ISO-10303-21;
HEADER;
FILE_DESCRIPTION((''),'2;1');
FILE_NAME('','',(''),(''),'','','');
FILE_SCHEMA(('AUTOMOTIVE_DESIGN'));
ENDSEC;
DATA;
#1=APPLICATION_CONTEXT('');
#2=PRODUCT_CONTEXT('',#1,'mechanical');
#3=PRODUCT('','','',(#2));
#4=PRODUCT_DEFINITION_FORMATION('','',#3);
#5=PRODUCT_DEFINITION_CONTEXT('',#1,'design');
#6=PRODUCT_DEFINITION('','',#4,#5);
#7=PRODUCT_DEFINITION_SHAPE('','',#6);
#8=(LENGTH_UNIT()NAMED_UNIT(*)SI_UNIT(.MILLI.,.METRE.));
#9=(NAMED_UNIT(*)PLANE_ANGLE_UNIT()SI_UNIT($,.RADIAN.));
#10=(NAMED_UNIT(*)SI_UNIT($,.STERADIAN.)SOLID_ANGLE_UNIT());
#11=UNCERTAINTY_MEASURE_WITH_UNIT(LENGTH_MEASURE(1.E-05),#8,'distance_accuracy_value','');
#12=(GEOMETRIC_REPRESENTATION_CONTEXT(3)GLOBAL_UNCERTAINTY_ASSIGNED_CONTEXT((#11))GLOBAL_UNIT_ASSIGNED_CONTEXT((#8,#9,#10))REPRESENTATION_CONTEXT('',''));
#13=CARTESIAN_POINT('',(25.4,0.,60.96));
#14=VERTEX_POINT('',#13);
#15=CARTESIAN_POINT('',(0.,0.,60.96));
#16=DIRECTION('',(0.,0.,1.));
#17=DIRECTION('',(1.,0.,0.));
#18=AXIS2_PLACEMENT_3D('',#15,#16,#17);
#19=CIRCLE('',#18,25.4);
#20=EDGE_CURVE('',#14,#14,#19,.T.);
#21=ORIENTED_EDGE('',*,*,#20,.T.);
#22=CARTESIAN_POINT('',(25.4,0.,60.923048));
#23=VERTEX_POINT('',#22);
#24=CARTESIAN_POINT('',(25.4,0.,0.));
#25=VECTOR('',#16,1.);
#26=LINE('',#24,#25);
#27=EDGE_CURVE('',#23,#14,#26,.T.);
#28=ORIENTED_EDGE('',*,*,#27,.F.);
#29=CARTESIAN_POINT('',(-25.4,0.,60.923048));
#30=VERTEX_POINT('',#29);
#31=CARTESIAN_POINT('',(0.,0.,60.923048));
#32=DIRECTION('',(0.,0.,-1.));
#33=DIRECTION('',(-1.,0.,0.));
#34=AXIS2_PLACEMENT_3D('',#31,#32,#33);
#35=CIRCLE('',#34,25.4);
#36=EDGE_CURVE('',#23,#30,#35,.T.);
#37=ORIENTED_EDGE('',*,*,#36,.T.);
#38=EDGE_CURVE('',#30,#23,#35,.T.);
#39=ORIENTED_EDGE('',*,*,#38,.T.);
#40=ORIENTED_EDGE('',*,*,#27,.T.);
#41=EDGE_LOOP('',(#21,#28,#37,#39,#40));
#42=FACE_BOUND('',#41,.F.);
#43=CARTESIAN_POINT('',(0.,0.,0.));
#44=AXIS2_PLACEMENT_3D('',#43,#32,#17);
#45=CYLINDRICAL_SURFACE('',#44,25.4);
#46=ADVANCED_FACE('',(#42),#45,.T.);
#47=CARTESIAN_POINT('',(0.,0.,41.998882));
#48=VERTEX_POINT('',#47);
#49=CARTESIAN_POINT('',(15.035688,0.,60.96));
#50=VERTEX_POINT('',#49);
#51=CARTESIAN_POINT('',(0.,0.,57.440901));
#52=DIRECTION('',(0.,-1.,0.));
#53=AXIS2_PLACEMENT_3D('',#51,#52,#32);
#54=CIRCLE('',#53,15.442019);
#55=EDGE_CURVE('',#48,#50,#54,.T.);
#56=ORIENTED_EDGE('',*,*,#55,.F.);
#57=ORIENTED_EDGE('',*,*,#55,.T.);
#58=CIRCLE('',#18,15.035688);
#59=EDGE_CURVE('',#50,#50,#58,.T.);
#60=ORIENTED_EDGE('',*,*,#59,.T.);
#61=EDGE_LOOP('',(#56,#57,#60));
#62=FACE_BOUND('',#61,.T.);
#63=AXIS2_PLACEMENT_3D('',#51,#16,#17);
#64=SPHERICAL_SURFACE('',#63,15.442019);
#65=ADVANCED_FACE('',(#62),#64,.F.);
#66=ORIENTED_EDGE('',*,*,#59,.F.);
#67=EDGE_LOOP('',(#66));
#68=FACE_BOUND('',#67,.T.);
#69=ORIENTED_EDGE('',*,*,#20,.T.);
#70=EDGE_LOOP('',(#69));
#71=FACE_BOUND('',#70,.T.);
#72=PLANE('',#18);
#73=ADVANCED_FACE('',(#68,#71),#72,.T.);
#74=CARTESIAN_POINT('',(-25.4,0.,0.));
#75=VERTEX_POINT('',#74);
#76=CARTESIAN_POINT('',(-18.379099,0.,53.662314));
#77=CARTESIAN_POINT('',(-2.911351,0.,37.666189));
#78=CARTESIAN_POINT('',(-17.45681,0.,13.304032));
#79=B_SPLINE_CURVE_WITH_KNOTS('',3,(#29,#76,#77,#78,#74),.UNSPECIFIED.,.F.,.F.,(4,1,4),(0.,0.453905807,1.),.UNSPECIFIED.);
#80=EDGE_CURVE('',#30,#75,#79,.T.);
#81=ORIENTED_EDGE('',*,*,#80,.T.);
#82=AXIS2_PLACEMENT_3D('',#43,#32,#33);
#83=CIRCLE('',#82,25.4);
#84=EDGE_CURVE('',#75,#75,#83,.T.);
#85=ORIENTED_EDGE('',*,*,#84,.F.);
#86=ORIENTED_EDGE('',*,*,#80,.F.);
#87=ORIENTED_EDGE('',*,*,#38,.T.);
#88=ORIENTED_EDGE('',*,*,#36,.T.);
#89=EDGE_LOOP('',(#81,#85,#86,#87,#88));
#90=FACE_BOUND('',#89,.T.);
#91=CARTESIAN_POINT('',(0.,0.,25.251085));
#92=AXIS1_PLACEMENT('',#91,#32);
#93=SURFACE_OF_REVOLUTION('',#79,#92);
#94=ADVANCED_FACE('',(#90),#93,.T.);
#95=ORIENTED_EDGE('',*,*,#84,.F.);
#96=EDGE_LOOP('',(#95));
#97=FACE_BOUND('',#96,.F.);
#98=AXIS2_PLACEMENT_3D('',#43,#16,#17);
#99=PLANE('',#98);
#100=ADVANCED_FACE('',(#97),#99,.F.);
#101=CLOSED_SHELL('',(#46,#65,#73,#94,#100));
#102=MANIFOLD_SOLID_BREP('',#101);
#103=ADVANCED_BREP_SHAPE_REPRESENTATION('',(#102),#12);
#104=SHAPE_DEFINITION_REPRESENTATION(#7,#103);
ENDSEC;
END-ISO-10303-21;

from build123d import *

# Parameters (mm, degrees)
F0_R     = 25.4
F1_DEPTH = 60.96


with BuildPart() as f1:
    # F0 (on Top) → F1 (new body)
    with BuildSketch(Plane.XY):
        Circle(F0_R)
    extrude(amount=F1_DEPTH)

    # F2 (on Front) → F3 (revolve, cut)
    with BuildSketch(Plane.XZ):
        with BuildLine():
            add(Edge.make_bspline(
                [(-25.4, 60.9230482654), (-18.379099245, 53.6623140881), (-2.9113509989, 37.6661887682), (-17.4568095535, 13.3040322149), (-25.4, 0)],
                knots=[0, 0, 0, 0, 0.4539058073, 1, 1, 1, 1], degree=3))
            Line((-25.4, 60.9230482654), (-25.4, 0))
        make_face()
    revolve(axis=Axis((0, 0, 25.251085345), (0, 0, -1)), mode=Mode.SUBTRACT)

    # F4 (on Front) → F5 (revolve, cut)
    with BuildSketch(Plane.XZ):
        with BuildLine():
            Line((0, 72.8829205036), (0, 41.9988818467))
            ThreePointArc((0, 41.9988818467), (15.4420193285, 57.4409011751), (0, 72.8829205036))
        make_face()
    revolve(axis=Axis((0, 0, 57.4409011751), (0, 0, -1)), mode=Mode.SUBTRACT)


solid = f1.part
